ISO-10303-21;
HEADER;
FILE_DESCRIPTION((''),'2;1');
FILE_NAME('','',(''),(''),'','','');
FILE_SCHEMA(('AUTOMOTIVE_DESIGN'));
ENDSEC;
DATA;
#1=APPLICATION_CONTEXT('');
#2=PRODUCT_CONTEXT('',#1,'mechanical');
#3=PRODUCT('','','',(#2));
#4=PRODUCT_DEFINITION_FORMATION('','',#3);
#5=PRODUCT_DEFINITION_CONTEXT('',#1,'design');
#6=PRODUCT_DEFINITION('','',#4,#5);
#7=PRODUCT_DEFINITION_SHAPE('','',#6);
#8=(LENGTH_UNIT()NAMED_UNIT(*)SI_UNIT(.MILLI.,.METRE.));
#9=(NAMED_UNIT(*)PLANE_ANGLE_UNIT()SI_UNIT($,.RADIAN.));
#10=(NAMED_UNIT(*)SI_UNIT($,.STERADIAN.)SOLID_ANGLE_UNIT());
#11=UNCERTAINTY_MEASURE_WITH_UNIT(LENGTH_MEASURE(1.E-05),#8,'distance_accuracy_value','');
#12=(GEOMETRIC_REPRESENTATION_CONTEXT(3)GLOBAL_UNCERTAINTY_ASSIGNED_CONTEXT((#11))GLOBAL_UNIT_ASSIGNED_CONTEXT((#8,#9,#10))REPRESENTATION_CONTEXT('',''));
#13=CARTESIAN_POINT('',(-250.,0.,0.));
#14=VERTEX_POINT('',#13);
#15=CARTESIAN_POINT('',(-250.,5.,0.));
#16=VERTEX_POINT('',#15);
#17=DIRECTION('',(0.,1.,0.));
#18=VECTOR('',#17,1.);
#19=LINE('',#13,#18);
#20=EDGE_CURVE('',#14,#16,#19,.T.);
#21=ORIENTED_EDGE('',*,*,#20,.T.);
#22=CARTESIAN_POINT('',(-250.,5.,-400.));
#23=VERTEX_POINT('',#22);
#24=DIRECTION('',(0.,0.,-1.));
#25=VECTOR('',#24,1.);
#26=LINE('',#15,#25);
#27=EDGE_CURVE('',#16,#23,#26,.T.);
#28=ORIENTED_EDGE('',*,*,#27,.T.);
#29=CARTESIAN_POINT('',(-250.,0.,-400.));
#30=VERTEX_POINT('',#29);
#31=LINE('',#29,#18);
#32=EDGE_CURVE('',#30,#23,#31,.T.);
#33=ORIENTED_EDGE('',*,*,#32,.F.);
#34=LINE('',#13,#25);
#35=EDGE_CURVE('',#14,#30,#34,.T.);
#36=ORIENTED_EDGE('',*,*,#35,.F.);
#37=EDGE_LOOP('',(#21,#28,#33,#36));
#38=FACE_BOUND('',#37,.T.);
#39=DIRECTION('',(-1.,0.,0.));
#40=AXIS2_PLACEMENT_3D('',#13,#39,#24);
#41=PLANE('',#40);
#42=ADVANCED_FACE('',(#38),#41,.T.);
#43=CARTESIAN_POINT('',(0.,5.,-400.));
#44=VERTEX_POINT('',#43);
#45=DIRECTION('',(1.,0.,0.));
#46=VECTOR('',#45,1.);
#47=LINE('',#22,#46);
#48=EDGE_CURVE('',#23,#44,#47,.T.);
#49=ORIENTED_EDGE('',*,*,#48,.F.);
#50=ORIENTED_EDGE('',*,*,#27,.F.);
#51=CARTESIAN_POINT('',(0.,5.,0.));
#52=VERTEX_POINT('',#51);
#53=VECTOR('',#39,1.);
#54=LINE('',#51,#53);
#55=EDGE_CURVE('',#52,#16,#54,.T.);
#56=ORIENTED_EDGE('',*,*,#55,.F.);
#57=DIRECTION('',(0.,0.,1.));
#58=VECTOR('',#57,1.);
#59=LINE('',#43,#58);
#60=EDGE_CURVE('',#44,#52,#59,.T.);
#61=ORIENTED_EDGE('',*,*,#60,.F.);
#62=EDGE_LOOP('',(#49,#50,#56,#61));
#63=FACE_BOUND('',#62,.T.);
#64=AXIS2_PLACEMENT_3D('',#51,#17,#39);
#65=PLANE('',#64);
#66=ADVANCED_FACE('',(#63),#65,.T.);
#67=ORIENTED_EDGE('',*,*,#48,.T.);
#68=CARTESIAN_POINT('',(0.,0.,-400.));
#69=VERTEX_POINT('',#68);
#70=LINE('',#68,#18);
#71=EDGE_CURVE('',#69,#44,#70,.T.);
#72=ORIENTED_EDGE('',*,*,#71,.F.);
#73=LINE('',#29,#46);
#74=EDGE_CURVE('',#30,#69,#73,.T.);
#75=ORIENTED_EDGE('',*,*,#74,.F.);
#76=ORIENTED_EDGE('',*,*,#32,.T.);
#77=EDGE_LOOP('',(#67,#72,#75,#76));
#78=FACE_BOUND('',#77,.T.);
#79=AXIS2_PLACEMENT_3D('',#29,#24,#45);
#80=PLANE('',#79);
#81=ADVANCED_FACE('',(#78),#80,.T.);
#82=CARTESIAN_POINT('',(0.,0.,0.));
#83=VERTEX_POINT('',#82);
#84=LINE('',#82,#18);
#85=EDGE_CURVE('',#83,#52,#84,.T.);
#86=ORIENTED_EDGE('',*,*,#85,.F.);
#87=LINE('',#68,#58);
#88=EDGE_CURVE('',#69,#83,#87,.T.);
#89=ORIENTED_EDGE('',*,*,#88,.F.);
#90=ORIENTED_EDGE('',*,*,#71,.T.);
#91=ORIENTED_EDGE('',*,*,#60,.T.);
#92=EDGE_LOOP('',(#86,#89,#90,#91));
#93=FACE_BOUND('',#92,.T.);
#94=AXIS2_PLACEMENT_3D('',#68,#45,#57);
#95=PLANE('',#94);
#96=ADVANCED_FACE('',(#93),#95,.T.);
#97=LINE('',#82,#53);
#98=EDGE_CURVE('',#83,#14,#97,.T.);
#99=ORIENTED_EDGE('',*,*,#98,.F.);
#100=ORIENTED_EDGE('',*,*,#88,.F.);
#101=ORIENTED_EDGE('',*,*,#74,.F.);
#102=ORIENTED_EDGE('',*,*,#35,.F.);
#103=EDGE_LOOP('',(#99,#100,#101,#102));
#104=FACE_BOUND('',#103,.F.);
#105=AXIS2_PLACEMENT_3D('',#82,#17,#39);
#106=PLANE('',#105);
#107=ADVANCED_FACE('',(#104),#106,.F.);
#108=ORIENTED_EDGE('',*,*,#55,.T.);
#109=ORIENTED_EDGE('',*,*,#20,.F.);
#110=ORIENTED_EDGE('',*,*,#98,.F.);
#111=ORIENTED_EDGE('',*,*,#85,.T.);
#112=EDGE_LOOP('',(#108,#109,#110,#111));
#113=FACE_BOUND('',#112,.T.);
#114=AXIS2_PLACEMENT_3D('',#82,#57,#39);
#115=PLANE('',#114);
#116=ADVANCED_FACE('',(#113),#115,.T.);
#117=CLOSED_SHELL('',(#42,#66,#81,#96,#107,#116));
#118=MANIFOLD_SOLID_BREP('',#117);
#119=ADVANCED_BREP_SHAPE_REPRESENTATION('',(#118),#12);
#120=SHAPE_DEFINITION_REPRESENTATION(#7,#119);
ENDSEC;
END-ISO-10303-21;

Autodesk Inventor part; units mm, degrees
ref_plane "YZ Plane" through (0, 0, 0) normal (1, 0, 0) x (0, 1, 0)
ref_plane "XZ Plane" through (0, 0, 0) normal (0, 1, 0) x (-1, 0, 0)
ref_plane "XY Plane" through (0, 0, 0) normal (0, 0, 1) x (1, 0, 0)
sketch "Sketch1" plane through (0, 0, 0) normal (0, 1, 0) x (-1, 0, 0)
  line L0 (0, 0) -> (250, 0)
  line L1 (250, 0) -> (250, -400)
  line L2 (250, -400) -> (0, -400)
  line L3 (0, -400) -> (0, 0)
  dimension "d0" = 250
  dimension "d1" = 400
extrude "Extrusion1" add sketch "Sketch1" along normal blind 5
properties part number "Base" material "Wood (Oak)"
